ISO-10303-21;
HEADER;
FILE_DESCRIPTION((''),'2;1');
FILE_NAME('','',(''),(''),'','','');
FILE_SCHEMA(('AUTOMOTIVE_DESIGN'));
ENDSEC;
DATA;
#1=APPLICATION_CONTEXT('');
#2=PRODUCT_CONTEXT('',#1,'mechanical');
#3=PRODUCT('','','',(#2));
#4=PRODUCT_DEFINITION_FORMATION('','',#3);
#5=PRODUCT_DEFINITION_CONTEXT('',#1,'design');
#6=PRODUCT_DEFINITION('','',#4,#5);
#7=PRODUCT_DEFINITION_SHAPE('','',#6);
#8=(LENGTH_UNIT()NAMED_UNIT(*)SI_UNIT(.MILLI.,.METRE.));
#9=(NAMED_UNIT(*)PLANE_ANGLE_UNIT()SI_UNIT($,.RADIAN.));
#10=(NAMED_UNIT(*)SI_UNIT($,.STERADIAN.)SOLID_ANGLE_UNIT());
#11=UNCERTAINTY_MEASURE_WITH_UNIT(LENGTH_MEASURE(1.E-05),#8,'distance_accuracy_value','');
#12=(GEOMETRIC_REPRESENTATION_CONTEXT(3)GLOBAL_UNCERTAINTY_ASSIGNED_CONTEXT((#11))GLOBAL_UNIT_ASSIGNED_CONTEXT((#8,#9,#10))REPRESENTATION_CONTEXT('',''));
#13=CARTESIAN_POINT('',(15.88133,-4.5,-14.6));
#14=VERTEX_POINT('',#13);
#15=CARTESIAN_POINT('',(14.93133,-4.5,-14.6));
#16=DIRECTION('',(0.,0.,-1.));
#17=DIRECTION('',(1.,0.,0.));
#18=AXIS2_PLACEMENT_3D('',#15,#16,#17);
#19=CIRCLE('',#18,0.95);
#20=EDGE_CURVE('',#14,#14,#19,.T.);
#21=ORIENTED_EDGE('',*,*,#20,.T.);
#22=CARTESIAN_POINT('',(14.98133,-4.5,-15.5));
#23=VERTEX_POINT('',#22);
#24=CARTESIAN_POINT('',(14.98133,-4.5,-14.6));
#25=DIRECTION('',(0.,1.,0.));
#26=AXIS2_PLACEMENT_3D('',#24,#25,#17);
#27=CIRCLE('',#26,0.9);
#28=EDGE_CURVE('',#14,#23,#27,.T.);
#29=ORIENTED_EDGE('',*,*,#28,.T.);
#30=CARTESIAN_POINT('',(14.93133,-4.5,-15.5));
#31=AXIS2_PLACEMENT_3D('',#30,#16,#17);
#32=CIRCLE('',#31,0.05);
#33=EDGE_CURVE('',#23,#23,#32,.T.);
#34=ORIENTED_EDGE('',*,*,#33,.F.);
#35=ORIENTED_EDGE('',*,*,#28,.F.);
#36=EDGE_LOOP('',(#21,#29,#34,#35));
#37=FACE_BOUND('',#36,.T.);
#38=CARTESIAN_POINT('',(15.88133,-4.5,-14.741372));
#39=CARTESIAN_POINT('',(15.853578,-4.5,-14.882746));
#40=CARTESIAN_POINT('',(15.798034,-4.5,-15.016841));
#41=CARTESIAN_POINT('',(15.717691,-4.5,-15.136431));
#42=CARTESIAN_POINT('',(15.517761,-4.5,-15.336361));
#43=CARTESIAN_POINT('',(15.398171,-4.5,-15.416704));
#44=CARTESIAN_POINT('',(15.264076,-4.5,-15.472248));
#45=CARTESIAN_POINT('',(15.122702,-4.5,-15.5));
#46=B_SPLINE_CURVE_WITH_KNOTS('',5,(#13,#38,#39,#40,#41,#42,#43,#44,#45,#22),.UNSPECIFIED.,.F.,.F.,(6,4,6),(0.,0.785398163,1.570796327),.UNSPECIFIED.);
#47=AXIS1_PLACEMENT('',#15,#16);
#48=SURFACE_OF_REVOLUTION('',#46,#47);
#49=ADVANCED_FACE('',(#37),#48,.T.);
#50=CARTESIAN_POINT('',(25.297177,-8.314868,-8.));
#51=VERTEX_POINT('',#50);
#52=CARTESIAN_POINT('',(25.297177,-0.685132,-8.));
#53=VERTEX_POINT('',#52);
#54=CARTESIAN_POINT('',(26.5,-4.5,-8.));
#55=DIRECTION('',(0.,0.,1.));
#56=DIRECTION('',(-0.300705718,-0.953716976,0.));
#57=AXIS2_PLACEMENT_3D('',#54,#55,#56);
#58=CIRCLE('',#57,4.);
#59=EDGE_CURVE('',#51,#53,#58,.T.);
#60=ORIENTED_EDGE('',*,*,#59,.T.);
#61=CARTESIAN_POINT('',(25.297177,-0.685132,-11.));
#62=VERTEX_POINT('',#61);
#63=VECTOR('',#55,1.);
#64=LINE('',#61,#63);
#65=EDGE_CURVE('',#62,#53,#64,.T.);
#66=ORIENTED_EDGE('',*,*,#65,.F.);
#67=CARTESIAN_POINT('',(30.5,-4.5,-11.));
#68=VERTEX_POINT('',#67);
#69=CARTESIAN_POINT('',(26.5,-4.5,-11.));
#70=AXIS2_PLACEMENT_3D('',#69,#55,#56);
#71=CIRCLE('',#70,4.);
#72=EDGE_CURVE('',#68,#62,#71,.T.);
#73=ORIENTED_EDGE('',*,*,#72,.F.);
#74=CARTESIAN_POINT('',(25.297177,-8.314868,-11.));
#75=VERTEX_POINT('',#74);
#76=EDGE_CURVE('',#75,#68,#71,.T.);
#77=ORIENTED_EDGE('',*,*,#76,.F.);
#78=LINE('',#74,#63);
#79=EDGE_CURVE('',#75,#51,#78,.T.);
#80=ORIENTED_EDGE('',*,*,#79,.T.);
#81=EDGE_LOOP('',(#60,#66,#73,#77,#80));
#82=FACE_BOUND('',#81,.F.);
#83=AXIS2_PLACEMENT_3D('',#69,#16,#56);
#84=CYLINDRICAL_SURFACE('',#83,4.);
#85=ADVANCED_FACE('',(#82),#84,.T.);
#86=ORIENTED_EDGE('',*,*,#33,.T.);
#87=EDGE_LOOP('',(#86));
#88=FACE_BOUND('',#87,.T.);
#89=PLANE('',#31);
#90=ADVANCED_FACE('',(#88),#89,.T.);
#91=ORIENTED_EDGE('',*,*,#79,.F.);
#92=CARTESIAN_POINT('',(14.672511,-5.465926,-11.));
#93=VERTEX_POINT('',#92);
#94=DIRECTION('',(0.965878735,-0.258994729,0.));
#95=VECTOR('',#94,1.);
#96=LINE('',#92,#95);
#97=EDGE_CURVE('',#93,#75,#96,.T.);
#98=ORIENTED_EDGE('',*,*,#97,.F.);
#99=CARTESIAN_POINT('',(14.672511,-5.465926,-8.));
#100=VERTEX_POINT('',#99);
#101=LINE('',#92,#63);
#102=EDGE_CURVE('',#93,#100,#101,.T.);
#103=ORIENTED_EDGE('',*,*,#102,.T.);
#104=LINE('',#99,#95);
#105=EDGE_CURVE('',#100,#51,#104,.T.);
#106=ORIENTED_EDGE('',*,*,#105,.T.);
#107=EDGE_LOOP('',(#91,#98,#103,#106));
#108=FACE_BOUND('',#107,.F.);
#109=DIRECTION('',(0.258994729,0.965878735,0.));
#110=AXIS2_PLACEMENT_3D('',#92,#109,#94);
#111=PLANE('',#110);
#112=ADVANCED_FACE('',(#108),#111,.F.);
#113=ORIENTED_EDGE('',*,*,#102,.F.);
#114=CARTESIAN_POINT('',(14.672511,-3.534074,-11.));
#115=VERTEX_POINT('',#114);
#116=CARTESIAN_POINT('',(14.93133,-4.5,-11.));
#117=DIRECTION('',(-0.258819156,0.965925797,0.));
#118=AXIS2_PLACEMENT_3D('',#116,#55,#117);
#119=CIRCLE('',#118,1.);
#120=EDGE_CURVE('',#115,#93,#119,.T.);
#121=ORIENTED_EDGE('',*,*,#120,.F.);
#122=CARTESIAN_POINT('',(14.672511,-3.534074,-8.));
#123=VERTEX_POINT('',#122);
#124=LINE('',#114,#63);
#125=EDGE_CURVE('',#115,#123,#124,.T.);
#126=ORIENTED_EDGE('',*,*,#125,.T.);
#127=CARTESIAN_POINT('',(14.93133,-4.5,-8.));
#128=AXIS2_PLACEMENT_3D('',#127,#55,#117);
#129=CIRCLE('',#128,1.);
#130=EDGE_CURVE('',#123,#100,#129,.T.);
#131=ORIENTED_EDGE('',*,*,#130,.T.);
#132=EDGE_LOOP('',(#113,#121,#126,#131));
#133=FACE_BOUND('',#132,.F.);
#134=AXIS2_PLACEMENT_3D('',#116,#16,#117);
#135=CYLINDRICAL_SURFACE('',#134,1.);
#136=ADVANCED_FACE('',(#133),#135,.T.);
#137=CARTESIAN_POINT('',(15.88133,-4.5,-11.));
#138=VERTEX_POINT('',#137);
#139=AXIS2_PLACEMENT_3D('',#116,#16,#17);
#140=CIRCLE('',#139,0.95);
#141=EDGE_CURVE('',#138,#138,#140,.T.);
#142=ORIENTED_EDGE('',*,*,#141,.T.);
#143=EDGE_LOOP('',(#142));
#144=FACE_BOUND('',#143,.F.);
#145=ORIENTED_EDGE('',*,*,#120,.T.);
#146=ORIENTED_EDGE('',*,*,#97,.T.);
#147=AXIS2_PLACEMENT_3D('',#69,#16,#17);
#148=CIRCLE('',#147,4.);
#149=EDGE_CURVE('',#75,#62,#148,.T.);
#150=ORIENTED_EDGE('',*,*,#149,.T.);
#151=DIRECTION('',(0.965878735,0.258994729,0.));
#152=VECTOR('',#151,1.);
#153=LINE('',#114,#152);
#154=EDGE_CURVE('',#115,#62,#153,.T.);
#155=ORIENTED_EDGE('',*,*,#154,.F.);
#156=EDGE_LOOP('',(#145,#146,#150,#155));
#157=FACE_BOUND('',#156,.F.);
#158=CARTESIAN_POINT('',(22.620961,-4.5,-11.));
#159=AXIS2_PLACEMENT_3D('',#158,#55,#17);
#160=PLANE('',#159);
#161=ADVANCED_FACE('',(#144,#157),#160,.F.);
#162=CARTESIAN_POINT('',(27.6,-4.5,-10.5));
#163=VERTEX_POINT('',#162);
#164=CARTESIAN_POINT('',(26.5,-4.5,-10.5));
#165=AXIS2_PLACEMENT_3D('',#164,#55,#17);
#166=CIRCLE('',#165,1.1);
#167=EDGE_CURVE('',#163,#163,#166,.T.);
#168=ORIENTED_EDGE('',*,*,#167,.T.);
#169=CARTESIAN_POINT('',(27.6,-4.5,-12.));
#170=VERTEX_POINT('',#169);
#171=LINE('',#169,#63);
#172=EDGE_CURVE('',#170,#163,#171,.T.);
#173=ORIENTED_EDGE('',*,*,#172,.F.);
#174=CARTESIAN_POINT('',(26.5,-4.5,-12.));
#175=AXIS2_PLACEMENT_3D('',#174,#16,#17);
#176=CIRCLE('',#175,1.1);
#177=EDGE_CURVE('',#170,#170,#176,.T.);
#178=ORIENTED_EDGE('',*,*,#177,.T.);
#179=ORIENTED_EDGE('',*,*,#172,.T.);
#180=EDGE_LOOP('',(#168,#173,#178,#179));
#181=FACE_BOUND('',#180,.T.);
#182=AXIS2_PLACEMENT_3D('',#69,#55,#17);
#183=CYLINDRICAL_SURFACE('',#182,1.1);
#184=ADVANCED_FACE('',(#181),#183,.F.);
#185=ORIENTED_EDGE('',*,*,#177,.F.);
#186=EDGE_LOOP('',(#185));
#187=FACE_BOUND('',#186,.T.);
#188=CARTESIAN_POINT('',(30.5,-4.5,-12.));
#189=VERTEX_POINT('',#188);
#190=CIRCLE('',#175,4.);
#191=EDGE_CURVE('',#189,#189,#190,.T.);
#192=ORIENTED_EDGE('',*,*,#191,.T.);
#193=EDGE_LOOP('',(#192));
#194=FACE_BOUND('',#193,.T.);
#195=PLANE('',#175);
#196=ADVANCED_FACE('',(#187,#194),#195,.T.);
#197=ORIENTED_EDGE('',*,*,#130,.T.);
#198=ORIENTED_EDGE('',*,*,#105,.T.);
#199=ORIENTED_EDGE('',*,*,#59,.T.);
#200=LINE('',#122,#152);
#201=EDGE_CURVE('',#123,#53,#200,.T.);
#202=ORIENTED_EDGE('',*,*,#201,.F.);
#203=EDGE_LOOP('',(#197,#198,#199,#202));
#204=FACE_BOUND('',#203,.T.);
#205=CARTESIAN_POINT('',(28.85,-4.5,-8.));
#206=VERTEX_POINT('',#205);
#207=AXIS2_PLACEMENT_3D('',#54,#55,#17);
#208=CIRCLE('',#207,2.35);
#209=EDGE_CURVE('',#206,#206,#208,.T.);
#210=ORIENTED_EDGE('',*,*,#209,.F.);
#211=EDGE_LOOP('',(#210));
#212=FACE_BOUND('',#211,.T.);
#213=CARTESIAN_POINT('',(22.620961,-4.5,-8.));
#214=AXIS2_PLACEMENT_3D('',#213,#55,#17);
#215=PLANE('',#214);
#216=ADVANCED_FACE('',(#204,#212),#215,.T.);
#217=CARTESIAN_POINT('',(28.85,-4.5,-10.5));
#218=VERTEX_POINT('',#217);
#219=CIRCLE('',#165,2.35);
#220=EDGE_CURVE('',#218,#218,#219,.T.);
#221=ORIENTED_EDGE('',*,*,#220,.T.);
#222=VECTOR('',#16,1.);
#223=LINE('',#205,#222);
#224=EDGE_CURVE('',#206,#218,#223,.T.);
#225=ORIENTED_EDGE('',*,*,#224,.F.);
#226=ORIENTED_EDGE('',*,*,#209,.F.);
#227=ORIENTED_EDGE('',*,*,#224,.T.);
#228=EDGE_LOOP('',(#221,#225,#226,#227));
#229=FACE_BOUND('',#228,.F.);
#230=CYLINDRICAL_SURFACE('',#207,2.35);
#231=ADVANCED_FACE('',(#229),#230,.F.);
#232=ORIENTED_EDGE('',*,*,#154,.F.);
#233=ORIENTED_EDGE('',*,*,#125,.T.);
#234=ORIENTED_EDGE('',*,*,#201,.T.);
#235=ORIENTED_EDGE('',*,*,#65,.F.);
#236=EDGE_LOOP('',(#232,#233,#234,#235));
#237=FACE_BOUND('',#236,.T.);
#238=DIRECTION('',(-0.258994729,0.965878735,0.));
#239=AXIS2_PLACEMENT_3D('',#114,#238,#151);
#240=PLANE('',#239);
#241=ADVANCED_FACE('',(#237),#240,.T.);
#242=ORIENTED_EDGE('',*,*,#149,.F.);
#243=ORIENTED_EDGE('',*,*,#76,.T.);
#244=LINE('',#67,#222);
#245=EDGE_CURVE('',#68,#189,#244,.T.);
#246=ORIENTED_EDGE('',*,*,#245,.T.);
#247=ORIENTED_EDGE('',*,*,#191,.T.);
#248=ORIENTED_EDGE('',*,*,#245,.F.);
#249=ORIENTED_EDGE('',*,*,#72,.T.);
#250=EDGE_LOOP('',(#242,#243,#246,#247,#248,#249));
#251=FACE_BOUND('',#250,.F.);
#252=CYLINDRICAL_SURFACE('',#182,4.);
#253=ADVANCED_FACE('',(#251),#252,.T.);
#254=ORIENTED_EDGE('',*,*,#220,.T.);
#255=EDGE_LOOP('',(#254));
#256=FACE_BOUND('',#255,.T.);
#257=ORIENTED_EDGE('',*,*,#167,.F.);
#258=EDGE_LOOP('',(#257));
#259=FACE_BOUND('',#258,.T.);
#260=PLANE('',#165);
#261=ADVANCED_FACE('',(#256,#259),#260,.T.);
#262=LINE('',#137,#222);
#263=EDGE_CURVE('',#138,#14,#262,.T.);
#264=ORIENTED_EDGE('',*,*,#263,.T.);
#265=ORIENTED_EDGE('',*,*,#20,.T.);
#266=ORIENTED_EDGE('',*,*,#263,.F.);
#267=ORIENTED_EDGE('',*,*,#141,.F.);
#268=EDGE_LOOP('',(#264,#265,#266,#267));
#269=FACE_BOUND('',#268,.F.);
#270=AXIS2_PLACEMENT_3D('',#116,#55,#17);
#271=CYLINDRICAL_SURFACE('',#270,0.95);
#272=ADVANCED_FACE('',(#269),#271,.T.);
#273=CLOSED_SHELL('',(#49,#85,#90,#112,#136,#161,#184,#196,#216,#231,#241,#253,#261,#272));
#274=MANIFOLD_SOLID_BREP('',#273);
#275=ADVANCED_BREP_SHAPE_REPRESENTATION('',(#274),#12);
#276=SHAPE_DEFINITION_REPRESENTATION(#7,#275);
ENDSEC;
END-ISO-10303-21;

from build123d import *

# Parameters (mm, degrees)
SKETCH012_R     = 1.1
PAD007_DEPTH    = 3
SKETCH013_R     = 4
SKETCH013_R_2   = 1.1
PAD008_DEPTH    = 1
SKETCH014_R     = 0.95
PAD009_DEPTH    = 4.5
SKETCH016_R     = 2.35
POCKET003_DEPTH = 2.5
FILLET002_R     = 0.9


with BuildPart() as part:
    # Sketch012 → Pad007 (new body)
    with BuildSketch(Plane(origin=(26.5, -4.5, -11), x_dir=(1, 0, 0), z_dir=(0, 0, 1))):
        with BuildLine():
            Line((-11.827489, -0.965926), (-1.202823, -3.814868))
            ThreePointArc((-1.202823, -3.814868), (4, 0), (-1.202823, 3.814868))
            Line((-11.827489, 0.965926), (-1.202823, 3.814868))
            ThreePointArc((-11.827489, 0.965926), (-12.56867, 0), (-11.827489, -0.965926))
        make_face()
        Circle(SKETCH012_R, mode=Mode.SUBTRACT)
    extrude(amount=PAD007_DEPTH)

    # Sketch013 → Pad008 (new body)
    with BuildSketch(Plane(origin=(26.5, -4.5, -11), x_dir=(1, 0, 0), z_dir=(0, 0, -1))):
        Circle(SKETCH013_R)
        Circle(SKETCH013_R_2, mode=Mode.SUBTRACT)
    extrude(amount=PAD008_DEPTH)

    # Sketch014 → Pad009 (new body)
    with BuildSketch(Plane(origin=(26.5, -4.5, -11), x_dir=(1, 0, 0), z_dir=(0, 0, -1))):
        with Locations((-11.56867, 0)):
            Circle(SKETCH014_R)
    extrude(amount=PAD009_DEPTH)

    # Sketch016 → Pocket003 (cut)
    with BuildSketch(Plane(origin=(26.5, -4.5, -8), x_dir=(1, 0, 0), z_dir=(0, 0, 1))):
        Circle(SKETCH016_R)
    extrude(amount=-POCKET003_DEPTH, mode=Mode.SUBTRACT)

    # Fillet002
    fillet002_edges = [part.edges().sort_by_distance(p)[0] for p in [
        (13.98133, -4.5, -15.5),
    ]]
    fillet(fillet002_edges, radius=FILLET002_R)


solid = part.part
